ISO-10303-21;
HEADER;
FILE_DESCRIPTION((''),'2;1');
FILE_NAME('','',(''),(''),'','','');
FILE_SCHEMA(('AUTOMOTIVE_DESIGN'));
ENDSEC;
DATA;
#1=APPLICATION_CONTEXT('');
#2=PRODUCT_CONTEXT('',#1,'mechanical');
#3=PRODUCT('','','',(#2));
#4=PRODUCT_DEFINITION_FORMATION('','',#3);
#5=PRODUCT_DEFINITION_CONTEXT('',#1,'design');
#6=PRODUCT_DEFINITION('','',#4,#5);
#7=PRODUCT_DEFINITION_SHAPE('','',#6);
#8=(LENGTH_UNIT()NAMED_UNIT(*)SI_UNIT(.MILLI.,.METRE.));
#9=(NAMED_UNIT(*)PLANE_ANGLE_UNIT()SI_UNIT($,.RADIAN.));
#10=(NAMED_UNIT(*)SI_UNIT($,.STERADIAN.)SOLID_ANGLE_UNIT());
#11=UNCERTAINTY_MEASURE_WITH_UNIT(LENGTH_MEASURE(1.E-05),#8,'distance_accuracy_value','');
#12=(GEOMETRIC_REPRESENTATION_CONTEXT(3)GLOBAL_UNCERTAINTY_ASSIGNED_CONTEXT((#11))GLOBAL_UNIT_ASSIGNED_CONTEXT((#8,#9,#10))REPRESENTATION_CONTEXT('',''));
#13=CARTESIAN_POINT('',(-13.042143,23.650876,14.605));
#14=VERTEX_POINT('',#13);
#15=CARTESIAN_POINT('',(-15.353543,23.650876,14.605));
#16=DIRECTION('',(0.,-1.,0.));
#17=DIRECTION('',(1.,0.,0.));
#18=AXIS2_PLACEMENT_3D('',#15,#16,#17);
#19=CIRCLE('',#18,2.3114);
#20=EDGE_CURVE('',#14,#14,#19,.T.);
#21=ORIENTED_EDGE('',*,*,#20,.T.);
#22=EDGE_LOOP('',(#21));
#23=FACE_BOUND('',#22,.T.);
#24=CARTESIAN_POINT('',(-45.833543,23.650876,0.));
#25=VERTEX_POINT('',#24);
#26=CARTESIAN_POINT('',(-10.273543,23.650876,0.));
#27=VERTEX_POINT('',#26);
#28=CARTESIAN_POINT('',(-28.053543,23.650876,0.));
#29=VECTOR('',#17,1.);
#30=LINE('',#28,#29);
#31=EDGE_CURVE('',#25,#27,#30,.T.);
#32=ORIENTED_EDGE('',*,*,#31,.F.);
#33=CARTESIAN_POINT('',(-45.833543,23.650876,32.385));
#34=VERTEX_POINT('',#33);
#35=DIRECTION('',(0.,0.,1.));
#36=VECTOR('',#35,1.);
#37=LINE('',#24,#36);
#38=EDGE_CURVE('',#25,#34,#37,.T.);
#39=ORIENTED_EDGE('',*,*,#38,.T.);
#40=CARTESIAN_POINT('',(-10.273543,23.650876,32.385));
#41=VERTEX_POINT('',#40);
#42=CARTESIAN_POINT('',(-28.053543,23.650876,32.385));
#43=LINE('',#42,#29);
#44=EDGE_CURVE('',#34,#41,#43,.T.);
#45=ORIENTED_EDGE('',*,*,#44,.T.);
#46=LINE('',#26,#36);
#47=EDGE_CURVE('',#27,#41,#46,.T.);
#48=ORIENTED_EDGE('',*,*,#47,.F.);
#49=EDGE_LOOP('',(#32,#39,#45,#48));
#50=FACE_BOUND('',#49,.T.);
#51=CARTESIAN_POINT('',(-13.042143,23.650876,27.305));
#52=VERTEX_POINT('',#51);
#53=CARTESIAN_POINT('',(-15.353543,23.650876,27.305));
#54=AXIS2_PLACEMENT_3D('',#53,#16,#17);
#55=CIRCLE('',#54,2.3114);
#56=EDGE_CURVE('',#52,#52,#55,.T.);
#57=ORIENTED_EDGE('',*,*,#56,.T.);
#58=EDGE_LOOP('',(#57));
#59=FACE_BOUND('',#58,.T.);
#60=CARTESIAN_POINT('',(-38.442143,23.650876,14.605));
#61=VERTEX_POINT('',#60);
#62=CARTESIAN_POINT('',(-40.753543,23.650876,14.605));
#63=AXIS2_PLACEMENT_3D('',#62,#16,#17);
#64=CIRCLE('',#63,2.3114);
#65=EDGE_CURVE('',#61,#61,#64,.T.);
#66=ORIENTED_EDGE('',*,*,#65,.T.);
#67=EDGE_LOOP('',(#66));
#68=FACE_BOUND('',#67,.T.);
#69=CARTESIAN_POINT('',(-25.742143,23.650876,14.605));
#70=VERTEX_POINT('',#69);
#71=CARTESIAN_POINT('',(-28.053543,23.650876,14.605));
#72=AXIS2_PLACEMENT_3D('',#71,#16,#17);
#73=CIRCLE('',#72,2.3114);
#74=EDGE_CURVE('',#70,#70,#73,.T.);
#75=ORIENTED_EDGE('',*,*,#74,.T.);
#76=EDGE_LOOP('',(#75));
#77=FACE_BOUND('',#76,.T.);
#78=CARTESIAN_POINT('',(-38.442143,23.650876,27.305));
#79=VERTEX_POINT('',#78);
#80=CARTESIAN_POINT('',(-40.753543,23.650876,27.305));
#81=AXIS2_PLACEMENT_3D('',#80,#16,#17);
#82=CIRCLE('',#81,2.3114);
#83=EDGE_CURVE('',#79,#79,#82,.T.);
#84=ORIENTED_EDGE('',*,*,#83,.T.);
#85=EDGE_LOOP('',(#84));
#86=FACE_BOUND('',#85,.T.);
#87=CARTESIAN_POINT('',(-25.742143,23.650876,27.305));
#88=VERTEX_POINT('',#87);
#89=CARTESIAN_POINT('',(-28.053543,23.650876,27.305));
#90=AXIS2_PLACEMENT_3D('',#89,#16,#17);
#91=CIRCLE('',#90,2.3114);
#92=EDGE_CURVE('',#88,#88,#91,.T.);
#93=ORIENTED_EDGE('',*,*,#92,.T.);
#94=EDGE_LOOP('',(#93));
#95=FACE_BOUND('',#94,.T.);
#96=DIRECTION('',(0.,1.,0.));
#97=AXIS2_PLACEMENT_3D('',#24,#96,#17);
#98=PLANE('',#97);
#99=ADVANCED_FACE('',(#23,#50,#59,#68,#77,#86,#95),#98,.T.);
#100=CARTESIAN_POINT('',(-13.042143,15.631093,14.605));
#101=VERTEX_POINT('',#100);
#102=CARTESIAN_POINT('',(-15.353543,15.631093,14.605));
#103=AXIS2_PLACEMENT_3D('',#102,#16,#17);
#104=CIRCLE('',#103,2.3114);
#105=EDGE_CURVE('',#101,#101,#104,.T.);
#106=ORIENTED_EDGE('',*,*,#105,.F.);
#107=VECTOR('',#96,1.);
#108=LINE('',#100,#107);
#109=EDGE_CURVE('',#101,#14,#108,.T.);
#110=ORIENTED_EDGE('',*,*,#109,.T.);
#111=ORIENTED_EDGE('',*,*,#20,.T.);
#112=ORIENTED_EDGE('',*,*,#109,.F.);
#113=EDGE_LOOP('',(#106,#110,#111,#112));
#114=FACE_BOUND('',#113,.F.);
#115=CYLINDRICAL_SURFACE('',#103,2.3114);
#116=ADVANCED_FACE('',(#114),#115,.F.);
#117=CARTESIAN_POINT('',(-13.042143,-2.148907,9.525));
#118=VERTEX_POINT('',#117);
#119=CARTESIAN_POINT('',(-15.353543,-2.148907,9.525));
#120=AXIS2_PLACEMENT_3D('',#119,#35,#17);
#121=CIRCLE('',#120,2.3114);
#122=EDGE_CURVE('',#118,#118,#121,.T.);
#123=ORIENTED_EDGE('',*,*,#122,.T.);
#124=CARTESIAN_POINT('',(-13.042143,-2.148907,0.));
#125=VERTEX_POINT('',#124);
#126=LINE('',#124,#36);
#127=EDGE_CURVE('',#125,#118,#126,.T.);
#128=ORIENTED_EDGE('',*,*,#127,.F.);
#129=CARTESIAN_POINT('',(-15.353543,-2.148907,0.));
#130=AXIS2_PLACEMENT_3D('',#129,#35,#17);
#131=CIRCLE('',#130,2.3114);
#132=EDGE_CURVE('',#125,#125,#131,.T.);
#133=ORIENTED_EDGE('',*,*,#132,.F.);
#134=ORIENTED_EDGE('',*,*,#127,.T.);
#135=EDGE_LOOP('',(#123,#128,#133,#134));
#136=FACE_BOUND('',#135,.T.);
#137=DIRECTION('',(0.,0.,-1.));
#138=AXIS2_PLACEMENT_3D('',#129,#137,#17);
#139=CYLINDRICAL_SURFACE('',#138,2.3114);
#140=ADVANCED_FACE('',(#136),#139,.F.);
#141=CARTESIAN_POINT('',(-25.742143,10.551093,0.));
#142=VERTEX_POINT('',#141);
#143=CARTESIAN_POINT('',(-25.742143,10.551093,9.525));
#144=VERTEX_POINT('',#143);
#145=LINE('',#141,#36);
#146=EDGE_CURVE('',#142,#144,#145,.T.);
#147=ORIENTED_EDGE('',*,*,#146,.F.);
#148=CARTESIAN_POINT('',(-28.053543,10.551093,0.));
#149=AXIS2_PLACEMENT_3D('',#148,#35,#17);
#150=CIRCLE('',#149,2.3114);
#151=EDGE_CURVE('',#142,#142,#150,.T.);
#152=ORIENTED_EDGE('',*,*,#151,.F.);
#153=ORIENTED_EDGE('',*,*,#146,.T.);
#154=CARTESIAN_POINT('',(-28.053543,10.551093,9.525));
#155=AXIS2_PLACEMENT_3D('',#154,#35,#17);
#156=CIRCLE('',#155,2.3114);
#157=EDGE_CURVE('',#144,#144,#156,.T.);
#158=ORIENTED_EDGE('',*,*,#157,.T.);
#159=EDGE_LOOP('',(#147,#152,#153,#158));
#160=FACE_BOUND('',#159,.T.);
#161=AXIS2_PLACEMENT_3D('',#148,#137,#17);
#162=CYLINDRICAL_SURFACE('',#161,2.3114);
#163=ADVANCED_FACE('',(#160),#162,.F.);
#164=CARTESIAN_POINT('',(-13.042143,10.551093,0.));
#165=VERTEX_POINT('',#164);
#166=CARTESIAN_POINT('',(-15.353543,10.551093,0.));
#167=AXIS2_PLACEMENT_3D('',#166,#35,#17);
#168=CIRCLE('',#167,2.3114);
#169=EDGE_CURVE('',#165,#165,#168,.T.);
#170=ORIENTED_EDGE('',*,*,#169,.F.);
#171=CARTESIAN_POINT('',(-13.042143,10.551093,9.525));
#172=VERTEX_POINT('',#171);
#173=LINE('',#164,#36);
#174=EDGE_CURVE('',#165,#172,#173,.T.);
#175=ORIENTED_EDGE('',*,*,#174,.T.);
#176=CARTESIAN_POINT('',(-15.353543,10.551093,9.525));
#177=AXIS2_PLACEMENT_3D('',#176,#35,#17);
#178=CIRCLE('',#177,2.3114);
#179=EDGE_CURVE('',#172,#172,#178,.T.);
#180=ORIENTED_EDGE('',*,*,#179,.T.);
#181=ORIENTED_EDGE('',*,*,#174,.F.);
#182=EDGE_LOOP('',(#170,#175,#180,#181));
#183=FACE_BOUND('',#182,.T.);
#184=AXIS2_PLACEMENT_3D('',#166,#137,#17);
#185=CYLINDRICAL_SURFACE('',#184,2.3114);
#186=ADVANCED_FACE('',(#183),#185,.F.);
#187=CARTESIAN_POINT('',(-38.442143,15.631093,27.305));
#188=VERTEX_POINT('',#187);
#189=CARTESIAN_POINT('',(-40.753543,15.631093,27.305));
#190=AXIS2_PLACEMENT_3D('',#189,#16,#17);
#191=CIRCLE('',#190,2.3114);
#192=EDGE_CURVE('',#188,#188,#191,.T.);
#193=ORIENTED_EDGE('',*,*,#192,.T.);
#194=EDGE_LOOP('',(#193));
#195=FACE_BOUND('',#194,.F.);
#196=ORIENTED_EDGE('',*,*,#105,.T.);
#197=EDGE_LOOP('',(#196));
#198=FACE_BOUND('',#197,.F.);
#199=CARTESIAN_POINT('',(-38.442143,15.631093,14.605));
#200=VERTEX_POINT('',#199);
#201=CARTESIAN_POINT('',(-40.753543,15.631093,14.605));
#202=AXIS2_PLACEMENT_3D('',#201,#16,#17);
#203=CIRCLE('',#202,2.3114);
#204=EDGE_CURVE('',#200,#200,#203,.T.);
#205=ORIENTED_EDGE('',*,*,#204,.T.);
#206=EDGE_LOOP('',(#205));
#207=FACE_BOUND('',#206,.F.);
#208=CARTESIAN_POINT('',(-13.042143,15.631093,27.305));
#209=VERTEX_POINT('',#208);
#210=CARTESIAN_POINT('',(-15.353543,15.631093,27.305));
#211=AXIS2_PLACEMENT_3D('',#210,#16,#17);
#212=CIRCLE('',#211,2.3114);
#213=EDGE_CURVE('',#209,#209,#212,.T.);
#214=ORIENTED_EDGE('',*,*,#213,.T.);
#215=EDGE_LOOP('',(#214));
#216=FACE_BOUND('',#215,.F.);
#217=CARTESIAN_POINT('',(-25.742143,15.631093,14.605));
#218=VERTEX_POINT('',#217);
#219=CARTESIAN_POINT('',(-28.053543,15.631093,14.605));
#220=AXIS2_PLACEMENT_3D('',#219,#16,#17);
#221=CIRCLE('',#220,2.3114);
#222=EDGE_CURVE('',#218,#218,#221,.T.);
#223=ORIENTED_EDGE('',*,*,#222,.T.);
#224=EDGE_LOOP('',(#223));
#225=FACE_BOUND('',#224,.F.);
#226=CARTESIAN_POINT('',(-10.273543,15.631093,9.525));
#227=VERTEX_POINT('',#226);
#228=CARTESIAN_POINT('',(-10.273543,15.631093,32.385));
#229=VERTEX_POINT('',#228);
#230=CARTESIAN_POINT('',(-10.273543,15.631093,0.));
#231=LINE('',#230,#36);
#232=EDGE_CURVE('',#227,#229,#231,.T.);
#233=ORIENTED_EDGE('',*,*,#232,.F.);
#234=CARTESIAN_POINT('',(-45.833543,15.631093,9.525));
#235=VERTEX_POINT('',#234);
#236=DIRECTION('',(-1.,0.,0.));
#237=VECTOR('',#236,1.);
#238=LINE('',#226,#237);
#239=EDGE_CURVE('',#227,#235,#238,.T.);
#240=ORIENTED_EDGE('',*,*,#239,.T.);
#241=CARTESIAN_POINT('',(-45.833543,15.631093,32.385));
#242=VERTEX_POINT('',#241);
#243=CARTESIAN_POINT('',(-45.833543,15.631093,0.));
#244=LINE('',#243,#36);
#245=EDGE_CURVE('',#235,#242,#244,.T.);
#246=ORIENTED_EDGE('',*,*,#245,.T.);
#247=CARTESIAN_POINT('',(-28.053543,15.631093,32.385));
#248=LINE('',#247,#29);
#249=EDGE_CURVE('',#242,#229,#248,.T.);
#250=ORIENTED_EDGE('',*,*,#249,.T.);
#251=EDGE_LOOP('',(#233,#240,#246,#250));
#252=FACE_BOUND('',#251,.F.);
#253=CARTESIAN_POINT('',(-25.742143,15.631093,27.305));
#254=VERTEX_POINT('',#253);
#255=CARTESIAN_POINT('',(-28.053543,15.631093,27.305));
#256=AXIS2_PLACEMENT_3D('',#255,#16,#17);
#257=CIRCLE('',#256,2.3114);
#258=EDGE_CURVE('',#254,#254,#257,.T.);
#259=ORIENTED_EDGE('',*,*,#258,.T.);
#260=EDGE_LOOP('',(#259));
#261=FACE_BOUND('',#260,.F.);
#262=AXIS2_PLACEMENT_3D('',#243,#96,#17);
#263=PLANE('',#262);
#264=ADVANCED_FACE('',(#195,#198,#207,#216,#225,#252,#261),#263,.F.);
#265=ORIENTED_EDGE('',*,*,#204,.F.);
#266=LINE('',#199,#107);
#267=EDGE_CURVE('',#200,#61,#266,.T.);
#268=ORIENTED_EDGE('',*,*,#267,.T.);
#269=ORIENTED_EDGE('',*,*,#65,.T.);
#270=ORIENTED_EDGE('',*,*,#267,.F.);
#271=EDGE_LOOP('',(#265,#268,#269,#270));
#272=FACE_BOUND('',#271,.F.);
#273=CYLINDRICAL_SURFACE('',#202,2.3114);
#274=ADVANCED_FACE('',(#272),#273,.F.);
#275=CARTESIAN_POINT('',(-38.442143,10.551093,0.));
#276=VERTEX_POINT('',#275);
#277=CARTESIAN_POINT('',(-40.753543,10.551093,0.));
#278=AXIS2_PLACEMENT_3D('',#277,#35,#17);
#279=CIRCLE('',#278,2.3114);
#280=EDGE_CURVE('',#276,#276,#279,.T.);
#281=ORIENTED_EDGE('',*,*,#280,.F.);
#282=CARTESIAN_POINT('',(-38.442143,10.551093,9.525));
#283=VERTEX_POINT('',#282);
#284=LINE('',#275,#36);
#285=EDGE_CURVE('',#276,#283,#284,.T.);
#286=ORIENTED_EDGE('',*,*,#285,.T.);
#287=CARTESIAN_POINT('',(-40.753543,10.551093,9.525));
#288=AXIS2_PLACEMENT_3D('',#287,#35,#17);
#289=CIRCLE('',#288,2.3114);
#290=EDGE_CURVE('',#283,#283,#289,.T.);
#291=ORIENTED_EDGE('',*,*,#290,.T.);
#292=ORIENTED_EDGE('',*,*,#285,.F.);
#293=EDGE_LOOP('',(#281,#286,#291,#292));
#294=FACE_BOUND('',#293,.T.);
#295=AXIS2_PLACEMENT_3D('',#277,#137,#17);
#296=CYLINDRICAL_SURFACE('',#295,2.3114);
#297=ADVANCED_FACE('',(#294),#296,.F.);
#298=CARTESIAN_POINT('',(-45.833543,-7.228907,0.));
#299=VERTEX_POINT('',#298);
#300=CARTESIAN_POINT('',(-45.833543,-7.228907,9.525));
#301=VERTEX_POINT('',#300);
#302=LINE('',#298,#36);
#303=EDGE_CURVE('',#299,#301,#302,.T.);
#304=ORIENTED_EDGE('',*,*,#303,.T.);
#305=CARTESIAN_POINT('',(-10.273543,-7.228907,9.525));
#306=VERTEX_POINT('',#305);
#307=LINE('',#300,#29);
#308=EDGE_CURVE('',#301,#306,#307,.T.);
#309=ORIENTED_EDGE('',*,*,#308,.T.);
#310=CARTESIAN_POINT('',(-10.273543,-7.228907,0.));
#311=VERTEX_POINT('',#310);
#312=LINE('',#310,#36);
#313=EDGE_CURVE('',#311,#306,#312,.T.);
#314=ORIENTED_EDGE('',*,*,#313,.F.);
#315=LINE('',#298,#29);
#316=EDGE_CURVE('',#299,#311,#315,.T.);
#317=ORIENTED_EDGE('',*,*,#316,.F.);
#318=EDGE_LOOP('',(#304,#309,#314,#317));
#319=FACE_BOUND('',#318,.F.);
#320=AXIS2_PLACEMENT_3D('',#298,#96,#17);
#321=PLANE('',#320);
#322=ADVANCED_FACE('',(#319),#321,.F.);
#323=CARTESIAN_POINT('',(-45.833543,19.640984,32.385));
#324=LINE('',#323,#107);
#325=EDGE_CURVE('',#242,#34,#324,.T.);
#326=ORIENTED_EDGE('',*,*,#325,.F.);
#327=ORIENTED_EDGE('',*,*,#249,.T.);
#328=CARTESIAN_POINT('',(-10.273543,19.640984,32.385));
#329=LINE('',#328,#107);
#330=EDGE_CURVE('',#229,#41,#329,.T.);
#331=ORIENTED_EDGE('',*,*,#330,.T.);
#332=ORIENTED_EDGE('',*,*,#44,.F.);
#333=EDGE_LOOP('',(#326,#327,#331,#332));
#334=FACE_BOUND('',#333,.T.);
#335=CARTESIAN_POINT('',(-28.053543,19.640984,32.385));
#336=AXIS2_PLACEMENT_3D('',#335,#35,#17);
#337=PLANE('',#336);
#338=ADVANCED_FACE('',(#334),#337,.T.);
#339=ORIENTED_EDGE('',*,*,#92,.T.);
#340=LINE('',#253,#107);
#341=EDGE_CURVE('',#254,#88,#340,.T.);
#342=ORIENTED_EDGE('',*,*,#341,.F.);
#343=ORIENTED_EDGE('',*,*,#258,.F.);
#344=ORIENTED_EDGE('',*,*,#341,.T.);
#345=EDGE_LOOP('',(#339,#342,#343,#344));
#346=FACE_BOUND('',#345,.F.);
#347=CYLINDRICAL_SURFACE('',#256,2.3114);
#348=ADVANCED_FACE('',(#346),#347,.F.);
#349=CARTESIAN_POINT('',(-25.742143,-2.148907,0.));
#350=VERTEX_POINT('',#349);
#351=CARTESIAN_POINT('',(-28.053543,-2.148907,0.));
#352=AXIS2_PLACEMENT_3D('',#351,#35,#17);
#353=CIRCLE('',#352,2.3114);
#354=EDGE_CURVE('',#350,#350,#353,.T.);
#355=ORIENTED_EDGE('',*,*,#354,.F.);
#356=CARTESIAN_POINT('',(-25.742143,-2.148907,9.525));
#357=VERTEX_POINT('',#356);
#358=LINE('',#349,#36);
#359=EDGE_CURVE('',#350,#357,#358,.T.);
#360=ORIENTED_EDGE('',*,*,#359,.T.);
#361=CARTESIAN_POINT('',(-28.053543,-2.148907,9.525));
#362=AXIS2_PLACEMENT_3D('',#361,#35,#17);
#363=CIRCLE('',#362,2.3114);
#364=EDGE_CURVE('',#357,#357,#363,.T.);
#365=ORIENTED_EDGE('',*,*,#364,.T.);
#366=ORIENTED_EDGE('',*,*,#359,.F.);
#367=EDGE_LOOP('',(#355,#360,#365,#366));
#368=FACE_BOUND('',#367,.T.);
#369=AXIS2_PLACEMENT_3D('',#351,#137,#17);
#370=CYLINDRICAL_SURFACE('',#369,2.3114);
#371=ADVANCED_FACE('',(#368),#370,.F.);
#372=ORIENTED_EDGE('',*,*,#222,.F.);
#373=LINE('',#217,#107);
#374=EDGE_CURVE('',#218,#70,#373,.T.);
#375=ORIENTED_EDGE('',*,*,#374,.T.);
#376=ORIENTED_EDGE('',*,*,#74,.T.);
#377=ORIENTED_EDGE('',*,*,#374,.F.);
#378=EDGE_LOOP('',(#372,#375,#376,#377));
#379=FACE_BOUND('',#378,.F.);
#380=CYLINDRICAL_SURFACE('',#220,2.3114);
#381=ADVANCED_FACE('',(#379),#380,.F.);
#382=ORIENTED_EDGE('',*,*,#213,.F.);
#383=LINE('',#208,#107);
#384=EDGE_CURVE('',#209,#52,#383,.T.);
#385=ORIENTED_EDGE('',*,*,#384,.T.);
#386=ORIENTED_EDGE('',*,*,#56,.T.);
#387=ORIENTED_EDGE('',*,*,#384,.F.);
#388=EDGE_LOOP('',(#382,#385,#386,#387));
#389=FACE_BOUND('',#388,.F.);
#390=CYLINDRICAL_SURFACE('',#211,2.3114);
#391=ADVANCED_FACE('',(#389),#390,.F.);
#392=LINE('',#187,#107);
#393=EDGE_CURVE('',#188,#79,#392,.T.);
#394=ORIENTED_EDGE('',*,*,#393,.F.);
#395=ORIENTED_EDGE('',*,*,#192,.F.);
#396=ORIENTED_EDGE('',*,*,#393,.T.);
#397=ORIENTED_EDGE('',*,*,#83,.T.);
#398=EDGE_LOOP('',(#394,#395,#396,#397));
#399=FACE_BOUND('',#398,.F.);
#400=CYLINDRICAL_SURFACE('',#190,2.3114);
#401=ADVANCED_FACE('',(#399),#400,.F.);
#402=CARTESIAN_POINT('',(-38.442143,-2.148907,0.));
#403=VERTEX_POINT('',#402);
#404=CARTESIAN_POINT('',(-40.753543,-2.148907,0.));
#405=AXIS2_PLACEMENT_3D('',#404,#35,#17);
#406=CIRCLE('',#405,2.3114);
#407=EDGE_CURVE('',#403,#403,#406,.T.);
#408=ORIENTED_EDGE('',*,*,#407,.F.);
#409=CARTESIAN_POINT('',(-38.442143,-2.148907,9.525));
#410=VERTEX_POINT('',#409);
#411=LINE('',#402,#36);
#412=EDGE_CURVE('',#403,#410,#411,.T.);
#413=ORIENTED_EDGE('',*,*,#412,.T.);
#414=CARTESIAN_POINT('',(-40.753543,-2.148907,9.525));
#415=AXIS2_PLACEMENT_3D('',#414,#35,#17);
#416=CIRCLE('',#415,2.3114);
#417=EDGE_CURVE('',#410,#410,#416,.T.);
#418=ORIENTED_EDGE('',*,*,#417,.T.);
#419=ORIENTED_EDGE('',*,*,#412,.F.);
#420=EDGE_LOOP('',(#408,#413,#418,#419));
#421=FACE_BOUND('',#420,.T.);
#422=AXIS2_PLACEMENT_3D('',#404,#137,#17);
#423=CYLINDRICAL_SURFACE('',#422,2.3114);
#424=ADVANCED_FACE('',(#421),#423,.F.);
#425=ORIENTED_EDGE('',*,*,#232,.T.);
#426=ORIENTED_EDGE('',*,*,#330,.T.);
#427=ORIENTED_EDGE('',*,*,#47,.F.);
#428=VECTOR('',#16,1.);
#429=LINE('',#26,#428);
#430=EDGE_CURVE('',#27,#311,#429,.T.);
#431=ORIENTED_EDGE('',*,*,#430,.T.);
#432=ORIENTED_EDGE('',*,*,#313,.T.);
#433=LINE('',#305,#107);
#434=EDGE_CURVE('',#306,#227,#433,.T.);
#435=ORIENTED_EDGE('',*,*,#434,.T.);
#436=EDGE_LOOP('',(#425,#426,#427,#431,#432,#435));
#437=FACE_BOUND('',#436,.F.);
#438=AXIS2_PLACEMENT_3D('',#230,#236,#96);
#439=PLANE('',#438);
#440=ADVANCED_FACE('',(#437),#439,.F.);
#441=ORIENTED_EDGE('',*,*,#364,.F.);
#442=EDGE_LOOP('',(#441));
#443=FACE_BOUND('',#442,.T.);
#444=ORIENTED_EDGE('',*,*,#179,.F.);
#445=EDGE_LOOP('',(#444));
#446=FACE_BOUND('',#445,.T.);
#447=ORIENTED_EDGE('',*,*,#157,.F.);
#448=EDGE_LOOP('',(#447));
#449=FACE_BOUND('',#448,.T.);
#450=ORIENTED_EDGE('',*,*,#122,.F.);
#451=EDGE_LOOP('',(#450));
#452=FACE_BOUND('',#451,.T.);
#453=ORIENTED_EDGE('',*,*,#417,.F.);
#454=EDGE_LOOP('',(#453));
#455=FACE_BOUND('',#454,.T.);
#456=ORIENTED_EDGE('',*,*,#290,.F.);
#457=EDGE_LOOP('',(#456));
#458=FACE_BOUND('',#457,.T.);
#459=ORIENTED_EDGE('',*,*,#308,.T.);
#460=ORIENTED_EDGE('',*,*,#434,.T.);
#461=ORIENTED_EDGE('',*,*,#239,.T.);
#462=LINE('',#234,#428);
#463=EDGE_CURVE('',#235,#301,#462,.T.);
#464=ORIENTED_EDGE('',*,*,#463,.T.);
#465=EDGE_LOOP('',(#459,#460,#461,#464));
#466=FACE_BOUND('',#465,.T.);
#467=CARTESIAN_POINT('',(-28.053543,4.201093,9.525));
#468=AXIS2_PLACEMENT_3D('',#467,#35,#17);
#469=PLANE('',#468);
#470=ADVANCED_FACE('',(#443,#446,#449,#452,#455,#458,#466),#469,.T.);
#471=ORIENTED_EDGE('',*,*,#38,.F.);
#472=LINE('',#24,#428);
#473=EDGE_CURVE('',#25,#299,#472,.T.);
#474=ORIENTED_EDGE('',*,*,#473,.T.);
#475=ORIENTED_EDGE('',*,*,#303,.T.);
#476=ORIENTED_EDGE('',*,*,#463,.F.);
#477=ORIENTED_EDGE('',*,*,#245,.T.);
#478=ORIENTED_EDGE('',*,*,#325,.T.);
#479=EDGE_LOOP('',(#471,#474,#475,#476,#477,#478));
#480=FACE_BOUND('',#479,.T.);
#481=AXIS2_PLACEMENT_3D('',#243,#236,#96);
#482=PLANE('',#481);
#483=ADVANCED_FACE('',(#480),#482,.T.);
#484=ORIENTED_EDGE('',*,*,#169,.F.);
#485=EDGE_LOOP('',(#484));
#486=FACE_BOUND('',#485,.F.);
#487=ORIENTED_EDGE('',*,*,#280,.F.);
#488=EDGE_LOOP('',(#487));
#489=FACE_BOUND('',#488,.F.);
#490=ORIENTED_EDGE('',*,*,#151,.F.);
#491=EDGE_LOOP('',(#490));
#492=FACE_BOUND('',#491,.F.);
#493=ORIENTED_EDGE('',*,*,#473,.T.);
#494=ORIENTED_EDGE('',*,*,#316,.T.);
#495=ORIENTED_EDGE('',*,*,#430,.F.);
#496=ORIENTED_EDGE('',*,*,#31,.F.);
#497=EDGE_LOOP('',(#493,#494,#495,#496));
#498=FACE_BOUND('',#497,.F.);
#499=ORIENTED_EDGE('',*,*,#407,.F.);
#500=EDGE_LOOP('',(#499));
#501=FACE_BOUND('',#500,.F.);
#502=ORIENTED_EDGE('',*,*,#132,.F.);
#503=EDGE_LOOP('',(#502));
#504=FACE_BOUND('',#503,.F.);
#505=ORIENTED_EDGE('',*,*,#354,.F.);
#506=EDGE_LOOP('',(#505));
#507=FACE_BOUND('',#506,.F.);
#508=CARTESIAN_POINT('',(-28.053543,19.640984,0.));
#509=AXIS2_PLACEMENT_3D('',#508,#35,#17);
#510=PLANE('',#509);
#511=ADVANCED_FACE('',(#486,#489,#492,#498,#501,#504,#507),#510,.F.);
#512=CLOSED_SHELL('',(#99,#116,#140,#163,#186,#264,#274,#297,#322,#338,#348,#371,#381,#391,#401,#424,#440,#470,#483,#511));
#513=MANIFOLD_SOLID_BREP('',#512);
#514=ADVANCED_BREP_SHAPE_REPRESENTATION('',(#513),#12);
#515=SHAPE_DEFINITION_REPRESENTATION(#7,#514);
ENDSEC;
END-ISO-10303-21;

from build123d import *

# Parameters (mm, degrees)
F0_R     = 2.3114
F1_DEPTH = 9.525
F0_W     = 35.56
F0_H     = 8.0197834706
F2_DEPTH = 32.385
F3_R     = 2.3114
F4_DEPTH = 25.4


with BuildPart() as f1:
    # F0 (on Top) → F1 (new body)
    with BuildSketch(Plane.XY):
        Polygon((-10.273542943, 15.6310927123), (-45.833542943, 15.6310927123), (-45.833542943, 13.4908761829), (-45.833542943, -7.2289072877), (-10.273542943, -7.2289072877), align=None)
        with Locations((-40.753542943, -2.1489072877)):
            Circle(F0_R, mode=Mode.SUBTRACT)
        with Locations((-28.053542943, -2.1489072877)):
            Circle(F0_R, mode=Mode.SUBTRACT)
        with Locations((-15.353542943, -2.1489072877)):
            Circle(F0_R, mode=Mode.SUBTRACT)
        with Locations((-40.753542943, 10.5510927123)):
            Circle(F0_R, mode=Mode.SUBTRACT)
        with Locations((-28.053542943, 10.5510927123)):
            Circle(F0_R, mode=Mode.SUBTRACT)
        with Locations((-15.353542943, 10.5510927123)):
            Circle(F0_R, mode=Mode.SUBTRACT)
    extrude(amount=F1_DEPTH)

    # F0 (on Top) → F2 (join)
    with BuildSketch(Plane.XY):
        with Locations((-28.053542943, 19.6409844476)):
            Rectangle(F0_W, F0_H)
    extrude(amount=F2_DEPTH)

    # F3 (on face) → F4 (cut)
    with BuildSketch(Plane.XZ.offset(-15.6310927123)):
        with Locations((-40.753542943, 27.305)):
            Circle(F3_R)
        with Locations((-28.053542943, 27.305)):
            Circle(F3_R)
        with Locations((-15.353542943, 27.305)):
            Circle(F3_R)
        with Locations((-15.353542943, 14.605)):
            Circle(F3_R)
        with Locations((-28.053542943, 14.605)):
            Circle(F3_R)
        with Locations((-40.753542943, 14.605)):
            Circle(F3_R)
    extrude(amount=-F4_DEPTH, mode=Mode.SUBTRACT)


solid = f1.part
